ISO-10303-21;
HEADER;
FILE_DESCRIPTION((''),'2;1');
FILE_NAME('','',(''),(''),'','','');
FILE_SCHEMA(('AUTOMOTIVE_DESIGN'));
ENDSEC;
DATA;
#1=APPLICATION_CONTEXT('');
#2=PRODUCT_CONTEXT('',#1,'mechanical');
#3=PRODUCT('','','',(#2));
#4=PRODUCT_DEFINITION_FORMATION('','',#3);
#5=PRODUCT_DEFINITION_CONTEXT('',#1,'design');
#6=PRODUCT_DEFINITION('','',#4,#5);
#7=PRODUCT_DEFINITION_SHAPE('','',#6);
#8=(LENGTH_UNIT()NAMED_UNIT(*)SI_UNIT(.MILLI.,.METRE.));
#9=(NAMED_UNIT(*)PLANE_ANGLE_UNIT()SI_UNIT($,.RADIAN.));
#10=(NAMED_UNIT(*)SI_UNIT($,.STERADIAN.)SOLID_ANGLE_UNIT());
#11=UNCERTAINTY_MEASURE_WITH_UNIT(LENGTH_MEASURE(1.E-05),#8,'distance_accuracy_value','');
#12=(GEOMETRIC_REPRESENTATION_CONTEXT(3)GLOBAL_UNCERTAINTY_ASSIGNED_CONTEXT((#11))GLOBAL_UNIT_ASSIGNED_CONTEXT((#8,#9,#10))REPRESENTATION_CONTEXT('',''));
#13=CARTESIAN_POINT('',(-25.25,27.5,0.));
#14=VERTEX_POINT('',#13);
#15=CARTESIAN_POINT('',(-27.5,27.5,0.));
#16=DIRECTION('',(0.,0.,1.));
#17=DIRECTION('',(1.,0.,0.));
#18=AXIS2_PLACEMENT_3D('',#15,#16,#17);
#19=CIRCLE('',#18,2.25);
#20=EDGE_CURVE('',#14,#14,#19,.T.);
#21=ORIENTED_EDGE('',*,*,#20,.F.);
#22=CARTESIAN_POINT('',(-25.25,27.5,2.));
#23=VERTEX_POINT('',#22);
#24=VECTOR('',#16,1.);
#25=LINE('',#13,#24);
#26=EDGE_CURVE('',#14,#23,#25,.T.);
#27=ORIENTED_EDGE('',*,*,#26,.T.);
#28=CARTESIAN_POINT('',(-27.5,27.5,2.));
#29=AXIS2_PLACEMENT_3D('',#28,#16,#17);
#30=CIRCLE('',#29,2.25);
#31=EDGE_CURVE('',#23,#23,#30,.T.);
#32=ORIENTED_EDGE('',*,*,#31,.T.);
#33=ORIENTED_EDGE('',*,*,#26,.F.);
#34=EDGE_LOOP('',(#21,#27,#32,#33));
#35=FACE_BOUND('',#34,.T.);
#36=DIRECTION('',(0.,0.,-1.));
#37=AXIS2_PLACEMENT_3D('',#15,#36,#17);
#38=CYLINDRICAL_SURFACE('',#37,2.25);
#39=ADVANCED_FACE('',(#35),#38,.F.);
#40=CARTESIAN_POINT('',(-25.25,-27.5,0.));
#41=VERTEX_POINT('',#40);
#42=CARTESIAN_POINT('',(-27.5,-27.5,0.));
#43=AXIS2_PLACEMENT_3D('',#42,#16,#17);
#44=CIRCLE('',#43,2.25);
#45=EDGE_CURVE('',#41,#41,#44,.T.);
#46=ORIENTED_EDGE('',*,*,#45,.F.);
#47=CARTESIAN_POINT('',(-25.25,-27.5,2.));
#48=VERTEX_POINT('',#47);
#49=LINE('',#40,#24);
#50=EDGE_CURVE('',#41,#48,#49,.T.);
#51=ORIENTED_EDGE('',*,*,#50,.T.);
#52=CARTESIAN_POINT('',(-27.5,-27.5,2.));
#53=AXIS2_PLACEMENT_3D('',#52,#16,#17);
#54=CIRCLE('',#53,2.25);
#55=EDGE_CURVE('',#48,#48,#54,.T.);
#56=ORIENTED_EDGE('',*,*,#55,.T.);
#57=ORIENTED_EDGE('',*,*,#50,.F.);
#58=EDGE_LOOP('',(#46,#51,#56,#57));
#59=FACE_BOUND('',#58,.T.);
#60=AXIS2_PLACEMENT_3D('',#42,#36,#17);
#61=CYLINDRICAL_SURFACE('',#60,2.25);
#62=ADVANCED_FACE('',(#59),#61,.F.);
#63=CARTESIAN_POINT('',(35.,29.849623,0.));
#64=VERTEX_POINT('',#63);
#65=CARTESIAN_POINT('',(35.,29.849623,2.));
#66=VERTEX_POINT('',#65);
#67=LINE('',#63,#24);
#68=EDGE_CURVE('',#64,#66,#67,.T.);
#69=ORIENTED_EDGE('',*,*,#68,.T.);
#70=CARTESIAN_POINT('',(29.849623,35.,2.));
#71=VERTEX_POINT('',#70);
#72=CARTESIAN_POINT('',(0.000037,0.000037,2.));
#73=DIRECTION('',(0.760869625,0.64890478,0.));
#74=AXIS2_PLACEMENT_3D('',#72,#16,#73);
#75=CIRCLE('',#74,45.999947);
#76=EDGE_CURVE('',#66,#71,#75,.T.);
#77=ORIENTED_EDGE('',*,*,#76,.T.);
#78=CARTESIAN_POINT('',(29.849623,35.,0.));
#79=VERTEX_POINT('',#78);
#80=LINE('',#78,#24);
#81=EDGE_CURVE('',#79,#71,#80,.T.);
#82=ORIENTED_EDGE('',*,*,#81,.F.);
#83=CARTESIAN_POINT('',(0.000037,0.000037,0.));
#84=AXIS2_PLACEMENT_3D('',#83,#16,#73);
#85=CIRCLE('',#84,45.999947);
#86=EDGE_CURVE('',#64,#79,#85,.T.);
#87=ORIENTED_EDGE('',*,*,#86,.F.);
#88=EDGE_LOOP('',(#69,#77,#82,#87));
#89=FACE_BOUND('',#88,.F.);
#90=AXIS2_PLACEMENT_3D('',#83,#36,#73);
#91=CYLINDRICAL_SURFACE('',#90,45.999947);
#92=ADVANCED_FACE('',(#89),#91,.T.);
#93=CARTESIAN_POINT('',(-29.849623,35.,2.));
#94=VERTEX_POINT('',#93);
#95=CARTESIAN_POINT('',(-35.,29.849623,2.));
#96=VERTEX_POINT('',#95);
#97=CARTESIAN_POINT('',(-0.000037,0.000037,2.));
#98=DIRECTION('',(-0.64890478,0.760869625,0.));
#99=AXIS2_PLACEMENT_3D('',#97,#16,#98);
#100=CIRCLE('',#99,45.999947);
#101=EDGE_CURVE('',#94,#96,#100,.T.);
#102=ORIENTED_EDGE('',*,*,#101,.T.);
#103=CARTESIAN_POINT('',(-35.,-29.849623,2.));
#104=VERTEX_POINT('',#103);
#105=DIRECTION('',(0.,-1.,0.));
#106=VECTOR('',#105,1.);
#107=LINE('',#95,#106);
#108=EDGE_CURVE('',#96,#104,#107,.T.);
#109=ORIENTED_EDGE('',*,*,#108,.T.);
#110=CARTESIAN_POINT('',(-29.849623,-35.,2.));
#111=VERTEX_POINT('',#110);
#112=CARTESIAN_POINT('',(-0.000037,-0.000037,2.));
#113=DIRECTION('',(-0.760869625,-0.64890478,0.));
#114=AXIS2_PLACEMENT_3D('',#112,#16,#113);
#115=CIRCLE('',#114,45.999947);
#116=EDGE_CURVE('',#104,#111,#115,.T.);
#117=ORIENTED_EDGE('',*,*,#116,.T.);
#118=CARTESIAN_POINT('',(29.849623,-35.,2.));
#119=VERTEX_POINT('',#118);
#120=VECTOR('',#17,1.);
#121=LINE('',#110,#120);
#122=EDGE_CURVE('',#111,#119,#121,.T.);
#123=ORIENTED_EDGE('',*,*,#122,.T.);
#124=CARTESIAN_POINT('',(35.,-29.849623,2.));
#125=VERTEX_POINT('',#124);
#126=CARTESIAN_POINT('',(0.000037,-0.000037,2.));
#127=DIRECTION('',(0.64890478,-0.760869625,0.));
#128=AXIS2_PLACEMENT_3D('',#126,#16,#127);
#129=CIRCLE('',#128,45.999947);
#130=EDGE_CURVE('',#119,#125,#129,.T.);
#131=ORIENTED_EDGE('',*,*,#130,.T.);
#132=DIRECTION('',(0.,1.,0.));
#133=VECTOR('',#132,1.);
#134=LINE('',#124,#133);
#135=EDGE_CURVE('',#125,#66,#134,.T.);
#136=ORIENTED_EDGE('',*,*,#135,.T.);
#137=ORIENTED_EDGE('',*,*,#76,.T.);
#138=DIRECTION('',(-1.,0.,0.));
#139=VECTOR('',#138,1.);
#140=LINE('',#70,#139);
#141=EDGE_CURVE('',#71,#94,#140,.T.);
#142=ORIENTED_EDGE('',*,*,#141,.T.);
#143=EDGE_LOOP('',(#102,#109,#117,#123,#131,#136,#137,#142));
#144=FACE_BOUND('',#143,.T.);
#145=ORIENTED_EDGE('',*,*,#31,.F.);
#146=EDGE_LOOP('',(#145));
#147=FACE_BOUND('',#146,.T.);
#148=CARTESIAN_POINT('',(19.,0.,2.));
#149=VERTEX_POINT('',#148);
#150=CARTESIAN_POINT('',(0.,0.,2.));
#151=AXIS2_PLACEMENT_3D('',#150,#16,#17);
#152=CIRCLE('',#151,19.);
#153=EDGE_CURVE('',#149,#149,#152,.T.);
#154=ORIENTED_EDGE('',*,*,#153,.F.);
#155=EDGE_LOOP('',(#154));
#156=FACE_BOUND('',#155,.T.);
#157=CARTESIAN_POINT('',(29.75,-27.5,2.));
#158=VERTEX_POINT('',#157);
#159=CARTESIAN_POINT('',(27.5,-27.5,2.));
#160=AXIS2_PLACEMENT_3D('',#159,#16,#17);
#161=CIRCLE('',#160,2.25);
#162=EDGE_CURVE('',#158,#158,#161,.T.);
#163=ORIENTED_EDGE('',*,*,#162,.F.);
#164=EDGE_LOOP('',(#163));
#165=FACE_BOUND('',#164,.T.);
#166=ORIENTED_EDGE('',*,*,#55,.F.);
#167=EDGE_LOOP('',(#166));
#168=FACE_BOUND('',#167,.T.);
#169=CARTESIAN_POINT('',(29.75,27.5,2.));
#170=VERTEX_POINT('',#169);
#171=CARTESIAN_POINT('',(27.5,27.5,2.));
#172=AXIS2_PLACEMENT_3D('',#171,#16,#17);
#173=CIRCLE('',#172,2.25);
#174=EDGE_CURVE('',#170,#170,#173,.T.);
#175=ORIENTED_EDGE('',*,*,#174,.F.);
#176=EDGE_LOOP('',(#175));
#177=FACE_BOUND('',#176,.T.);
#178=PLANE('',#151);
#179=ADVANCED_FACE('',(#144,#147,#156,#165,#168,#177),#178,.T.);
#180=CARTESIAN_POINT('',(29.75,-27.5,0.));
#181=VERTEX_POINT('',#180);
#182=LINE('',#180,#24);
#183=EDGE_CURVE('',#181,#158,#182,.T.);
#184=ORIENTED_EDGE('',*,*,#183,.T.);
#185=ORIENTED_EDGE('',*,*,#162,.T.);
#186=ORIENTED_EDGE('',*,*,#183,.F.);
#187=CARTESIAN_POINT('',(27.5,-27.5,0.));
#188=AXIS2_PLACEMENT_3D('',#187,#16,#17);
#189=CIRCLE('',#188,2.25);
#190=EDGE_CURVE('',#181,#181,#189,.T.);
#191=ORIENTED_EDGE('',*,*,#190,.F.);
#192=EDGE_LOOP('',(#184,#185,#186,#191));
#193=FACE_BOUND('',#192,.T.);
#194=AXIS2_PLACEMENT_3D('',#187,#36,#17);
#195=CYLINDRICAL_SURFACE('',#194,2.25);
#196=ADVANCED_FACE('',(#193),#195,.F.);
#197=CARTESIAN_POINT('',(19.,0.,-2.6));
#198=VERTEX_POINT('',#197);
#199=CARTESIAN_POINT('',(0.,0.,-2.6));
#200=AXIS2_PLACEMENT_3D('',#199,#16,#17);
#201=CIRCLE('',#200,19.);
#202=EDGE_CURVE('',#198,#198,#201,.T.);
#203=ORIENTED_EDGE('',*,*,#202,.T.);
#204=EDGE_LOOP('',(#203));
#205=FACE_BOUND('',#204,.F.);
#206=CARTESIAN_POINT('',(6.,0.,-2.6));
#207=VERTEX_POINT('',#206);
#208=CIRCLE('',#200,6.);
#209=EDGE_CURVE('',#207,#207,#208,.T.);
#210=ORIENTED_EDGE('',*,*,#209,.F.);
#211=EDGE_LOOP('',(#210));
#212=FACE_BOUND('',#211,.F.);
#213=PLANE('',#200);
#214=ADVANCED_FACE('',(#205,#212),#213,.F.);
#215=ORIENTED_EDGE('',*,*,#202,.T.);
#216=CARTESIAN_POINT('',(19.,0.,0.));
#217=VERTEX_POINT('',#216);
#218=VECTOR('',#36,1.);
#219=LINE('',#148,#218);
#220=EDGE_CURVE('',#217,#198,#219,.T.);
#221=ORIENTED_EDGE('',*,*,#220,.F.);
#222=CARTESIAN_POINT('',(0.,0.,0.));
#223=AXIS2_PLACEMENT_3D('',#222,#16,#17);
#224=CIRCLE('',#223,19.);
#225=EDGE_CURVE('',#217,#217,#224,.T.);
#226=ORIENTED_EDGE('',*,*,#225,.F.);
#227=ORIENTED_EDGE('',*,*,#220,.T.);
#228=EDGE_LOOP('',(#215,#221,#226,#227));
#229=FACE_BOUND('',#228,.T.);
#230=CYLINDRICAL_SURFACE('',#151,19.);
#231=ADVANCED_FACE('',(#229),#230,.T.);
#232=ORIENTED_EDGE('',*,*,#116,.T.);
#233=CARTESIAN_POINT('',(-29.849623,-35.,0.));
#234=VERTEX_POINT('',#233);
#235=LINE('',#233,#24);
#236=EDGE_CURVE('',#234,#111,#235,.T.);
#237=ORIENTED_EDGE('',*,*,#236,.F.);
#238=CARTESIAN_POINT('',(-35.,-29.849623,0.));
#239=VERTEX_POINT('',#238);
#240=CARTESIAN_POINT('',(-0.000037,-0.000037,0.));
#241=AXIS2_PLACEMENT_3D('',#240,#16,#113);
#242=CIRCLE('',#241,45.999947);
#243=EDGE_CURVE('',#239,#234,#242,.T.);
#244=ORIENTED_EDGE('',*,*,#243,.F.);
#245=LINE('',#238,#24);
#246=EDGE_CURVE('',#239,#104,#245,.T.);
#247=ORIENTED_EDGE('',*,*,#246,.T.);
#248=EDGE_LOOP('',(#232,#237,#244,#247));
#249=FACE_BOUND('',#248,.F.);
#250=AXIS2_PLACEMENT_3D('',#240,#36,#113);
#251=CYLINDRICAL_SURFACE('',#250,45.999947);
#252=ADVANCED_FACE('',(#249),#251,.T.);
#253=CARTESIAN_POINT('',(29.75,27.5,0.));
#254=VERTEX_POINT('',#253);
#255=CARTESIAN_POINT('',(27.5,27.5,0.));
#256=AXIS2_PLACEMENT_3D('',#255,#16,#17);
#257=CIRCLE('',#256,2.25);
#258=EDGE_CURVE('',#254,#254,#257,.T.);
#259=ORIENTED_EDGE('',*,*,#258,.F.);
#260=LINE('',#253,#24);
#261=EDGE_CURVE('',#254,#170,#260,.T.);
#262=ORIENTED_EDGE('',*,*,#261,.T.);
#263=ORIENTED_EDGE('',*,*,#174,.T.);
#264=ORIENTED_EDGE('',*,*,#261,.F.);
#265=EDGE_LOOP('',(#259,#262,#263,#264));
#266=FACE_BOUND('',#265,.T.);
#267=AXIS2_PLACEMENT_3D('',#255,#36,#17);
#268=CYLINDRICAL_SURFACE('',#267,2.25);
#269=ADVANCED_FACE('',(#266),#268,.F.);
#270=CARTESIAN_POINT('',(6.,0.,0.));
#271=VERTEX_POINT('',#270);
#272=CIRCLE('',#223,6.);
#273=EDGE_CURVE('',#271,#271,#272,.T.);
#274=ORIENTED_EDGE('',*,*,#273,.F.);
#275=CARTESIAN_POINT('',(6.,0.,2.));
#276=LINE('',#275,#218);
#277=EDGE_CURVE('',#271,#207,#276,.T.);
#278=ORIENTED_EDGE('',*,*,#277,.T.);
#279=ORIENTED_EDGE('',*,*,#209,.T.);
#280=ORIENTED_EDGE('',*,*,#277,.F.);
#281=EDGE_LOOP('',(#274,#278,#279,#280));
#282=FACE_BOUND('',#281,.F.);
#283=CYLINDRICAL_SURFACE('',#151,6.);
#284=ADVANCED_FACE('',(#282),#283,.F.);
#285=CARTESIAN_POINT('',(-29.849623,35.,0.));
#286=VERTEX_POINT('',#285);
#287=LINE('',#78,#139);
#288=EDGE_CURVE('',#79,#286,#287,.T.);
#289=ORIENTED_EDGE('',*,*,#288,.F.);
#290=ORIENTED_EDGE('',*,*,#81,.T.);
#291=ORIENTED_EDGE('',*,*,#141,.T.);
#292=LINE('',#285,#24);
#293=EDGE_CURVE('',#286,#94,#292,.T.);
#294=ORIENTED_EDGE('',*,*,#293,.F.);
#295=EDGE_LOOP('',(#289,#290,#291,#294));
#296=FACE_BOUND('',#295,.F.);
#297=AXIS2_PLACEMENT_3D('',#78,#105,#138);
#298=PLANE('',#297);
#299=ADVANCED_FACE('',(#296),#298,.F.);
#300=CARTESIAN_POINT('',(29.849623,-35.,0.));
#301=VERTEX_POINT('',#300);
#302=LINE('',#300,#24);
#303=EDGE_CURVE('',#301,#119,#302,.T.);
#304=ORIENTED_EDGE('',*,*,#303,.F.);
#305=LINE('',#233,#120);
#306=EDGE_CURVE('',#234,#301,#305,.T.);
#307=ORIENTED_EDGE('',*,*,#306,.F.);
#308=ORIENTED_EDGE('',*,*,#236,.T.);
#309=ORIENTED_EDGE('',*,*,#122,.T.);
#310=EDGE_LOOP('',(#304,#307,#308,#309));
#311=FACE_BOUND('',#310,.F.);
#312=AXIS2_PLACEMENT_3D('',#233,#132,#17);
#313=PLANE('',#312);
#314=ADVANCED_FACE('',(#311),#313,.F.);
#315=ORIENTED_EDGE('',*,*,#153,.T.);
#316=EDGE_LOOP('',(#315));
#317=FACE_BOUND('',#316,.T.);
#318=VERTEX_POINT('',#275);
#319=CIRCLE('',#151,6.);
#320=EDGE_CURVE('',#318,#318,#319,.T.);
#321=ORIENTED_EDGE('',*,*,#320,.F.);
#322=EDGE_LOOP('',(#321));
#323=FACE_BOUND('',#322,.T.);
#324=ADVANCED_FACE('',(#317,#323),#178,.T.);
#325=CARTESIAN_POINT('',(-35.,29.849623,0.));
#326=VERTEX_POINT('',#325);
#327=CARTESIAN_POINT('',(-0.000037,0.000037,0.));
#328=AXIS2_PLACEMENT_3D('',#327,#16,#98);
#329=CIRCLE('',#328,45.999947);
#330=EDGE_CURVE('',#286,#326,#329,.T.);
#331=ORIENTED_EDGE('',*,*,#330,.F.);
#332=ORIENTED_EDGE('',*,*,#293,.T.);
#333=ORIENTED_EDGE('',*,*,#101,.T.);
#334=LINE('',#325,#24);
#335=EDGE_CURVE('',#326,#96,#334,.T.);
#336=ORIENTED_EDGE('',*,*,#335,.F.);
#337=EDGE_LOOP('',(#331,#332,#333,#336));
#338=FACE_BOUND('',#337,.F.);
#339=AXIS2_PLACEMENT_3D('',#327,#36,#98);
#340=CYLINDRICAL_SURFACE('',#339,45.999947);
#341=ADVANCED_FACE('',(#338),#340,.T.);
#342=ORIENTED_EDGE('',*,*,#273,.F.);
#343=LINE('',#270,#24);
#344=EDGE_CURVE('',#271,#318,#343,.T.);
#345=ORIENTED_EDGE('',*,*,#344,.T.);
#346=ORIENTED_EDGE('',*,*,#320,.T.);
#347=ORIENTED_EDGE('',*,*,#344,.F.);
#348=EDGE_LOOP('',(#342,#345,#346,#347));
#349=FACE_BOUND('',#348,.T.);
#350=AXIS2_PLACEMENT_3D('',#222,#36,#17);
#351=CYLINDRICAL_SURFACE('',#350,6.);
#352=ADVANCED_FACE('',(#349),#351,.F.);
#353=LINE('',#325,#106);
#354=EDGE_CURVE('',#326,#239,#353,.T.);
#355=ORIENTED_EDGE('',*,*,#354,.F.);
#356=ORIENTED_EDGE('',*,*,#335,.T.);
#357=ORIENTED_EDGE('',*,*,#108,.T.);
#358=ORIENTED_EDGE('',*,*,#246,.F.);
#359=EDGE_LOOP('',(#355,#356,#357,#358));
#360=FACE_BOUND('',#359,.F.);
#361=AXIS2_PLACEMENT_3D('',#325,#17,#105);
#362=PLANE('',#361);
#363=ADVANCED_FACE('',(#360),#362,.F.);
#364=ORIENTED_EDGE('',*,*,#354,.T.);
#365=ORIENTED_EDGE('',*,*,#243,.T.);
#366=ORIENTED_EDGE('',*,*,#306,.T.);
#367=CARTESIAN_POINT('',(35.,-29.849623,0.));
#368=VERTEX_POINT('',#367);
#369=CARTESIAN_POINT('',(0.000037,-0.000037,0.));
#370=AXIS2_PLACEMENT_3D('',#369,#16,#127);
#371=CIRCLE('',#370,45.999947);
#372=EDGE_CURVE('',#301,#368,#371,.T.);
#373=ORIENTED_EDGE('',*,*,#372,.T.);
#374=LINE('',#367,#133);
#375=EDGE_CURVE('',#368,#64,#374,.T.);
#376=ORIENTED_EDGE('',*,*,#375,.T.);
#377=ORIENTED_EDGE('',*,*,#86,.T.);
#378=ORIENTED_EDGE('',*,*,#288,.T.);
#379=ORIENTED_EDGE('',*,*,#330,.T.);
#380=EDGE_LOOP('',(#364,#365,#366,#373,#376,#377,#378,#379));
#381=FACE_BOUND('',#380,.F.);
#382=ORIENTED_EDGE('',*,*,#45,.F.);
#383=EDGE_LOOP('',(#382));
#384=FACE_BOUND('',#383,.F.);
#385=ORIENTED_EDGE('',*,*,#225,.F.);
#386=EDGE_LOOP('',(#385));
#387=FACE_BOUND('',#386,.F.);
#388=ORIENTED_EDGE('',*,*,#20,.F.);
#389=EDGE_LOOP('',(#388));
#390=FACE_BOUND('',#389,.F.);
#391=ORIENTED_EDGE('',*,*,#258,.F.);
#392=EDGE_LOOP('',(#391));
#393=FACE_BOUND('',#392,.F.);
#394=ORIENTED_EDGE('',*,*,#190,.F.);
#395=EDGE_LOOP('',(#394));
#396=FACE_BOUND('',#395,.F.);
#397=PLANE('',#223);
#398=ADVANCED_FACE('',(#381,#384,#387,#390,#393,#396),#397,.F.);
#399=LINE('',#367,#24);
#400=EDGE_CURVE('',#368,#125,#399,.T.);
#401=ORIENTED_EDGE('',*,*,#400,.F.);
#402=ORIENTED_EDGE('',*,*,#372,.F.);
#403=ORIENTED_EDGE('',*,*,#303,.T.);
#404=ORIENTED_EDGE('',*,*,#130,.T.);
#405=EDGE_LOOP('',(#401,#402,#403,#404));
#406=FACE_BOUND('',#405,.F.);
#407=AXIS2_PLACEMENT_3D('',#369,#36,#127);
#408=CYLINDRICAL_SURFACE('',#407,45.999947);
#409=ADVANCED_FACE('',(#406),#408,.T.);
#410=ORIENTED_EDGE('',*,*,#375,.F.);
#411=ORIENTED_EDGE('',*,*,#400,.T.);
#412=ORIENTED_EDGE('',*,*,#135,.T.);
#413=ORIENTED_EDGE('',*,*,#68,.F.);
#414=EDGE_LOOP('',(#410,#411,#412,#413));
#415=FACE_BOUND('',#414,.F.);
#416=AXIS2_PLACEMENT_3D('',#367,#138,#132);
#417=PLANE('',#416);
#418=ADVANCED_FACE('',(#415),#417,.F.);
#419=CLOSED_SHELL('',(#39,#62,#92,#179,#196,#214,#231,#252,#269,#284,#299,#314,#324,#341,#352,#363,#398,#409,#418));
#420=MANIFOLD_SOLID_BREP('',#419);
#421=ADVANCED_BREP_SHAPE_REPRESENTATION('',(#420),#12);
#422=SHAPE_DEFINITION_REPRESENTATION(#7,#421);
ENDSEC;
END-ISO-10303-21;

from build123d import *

# Parameters (mm, degrees)
F0_R     = 2.25
F0_R_2   = 6
F1_DEPTH = 2
F2_R     = 19
F2_R_2   = 6
F3_DEPTH = 4.6


with BuildPart() as f1:
    # F0 (on Top) → F1 (new body)
    with BuildSketch(Plane.XY):
        with BuildLine():
            Line((29.849623, 35), (-29.849623, 35))
            ThreePointArc((-29.849623, 35), (-32.526912, 32.526912), (-35, 29.849623))
            Line((-35, 29.849623), (-35, -29.849623))
            ThreePointArc((-35, -29.849623), (-32.526912, -32.526912), (-29.849623, -35))
            Line((-29.849623, -35), (29.849623, -35))
            ThreePointArc((29.849623, -35), (32.526912, -32.526912), (35, -29.849623))
            Line((35, -29.849623), (35, 29.849623))
            ThreePointArc((35, 29.849623), (32.526912, 32.526912), (29.849623, 35))
        make_face()
        with Locations((-27.5, -27.5)):
            Circle(F0_R, mode=Mode.SUBTRACT)
        with Locations((27.5, -27.5)):
            Circle(F0_R, mode=Mode.SUBTRACT)
        Circle(F0_R_2, mode=Mode.SUBTRACT)
        with Locations((-27.5, 27.5)):
            Circle(F0_R, mode=Mode.SUBTRACT)
        with Locations((27.5, 27.5)):
            Circle(F0_R, mode=Mode.SUBTRACT)
    extrude(amount=F1_DEPTH)

    # F2 (on face) → F3 (join)
    with BuildSketch(Plane.XY.offset(2)):
        Circle(F2_R)
        Circle(F2_R_2, mode=Mode.SUBTRACT)
    extrude(amount=-F3_DEPTH)


solid = f1.part
